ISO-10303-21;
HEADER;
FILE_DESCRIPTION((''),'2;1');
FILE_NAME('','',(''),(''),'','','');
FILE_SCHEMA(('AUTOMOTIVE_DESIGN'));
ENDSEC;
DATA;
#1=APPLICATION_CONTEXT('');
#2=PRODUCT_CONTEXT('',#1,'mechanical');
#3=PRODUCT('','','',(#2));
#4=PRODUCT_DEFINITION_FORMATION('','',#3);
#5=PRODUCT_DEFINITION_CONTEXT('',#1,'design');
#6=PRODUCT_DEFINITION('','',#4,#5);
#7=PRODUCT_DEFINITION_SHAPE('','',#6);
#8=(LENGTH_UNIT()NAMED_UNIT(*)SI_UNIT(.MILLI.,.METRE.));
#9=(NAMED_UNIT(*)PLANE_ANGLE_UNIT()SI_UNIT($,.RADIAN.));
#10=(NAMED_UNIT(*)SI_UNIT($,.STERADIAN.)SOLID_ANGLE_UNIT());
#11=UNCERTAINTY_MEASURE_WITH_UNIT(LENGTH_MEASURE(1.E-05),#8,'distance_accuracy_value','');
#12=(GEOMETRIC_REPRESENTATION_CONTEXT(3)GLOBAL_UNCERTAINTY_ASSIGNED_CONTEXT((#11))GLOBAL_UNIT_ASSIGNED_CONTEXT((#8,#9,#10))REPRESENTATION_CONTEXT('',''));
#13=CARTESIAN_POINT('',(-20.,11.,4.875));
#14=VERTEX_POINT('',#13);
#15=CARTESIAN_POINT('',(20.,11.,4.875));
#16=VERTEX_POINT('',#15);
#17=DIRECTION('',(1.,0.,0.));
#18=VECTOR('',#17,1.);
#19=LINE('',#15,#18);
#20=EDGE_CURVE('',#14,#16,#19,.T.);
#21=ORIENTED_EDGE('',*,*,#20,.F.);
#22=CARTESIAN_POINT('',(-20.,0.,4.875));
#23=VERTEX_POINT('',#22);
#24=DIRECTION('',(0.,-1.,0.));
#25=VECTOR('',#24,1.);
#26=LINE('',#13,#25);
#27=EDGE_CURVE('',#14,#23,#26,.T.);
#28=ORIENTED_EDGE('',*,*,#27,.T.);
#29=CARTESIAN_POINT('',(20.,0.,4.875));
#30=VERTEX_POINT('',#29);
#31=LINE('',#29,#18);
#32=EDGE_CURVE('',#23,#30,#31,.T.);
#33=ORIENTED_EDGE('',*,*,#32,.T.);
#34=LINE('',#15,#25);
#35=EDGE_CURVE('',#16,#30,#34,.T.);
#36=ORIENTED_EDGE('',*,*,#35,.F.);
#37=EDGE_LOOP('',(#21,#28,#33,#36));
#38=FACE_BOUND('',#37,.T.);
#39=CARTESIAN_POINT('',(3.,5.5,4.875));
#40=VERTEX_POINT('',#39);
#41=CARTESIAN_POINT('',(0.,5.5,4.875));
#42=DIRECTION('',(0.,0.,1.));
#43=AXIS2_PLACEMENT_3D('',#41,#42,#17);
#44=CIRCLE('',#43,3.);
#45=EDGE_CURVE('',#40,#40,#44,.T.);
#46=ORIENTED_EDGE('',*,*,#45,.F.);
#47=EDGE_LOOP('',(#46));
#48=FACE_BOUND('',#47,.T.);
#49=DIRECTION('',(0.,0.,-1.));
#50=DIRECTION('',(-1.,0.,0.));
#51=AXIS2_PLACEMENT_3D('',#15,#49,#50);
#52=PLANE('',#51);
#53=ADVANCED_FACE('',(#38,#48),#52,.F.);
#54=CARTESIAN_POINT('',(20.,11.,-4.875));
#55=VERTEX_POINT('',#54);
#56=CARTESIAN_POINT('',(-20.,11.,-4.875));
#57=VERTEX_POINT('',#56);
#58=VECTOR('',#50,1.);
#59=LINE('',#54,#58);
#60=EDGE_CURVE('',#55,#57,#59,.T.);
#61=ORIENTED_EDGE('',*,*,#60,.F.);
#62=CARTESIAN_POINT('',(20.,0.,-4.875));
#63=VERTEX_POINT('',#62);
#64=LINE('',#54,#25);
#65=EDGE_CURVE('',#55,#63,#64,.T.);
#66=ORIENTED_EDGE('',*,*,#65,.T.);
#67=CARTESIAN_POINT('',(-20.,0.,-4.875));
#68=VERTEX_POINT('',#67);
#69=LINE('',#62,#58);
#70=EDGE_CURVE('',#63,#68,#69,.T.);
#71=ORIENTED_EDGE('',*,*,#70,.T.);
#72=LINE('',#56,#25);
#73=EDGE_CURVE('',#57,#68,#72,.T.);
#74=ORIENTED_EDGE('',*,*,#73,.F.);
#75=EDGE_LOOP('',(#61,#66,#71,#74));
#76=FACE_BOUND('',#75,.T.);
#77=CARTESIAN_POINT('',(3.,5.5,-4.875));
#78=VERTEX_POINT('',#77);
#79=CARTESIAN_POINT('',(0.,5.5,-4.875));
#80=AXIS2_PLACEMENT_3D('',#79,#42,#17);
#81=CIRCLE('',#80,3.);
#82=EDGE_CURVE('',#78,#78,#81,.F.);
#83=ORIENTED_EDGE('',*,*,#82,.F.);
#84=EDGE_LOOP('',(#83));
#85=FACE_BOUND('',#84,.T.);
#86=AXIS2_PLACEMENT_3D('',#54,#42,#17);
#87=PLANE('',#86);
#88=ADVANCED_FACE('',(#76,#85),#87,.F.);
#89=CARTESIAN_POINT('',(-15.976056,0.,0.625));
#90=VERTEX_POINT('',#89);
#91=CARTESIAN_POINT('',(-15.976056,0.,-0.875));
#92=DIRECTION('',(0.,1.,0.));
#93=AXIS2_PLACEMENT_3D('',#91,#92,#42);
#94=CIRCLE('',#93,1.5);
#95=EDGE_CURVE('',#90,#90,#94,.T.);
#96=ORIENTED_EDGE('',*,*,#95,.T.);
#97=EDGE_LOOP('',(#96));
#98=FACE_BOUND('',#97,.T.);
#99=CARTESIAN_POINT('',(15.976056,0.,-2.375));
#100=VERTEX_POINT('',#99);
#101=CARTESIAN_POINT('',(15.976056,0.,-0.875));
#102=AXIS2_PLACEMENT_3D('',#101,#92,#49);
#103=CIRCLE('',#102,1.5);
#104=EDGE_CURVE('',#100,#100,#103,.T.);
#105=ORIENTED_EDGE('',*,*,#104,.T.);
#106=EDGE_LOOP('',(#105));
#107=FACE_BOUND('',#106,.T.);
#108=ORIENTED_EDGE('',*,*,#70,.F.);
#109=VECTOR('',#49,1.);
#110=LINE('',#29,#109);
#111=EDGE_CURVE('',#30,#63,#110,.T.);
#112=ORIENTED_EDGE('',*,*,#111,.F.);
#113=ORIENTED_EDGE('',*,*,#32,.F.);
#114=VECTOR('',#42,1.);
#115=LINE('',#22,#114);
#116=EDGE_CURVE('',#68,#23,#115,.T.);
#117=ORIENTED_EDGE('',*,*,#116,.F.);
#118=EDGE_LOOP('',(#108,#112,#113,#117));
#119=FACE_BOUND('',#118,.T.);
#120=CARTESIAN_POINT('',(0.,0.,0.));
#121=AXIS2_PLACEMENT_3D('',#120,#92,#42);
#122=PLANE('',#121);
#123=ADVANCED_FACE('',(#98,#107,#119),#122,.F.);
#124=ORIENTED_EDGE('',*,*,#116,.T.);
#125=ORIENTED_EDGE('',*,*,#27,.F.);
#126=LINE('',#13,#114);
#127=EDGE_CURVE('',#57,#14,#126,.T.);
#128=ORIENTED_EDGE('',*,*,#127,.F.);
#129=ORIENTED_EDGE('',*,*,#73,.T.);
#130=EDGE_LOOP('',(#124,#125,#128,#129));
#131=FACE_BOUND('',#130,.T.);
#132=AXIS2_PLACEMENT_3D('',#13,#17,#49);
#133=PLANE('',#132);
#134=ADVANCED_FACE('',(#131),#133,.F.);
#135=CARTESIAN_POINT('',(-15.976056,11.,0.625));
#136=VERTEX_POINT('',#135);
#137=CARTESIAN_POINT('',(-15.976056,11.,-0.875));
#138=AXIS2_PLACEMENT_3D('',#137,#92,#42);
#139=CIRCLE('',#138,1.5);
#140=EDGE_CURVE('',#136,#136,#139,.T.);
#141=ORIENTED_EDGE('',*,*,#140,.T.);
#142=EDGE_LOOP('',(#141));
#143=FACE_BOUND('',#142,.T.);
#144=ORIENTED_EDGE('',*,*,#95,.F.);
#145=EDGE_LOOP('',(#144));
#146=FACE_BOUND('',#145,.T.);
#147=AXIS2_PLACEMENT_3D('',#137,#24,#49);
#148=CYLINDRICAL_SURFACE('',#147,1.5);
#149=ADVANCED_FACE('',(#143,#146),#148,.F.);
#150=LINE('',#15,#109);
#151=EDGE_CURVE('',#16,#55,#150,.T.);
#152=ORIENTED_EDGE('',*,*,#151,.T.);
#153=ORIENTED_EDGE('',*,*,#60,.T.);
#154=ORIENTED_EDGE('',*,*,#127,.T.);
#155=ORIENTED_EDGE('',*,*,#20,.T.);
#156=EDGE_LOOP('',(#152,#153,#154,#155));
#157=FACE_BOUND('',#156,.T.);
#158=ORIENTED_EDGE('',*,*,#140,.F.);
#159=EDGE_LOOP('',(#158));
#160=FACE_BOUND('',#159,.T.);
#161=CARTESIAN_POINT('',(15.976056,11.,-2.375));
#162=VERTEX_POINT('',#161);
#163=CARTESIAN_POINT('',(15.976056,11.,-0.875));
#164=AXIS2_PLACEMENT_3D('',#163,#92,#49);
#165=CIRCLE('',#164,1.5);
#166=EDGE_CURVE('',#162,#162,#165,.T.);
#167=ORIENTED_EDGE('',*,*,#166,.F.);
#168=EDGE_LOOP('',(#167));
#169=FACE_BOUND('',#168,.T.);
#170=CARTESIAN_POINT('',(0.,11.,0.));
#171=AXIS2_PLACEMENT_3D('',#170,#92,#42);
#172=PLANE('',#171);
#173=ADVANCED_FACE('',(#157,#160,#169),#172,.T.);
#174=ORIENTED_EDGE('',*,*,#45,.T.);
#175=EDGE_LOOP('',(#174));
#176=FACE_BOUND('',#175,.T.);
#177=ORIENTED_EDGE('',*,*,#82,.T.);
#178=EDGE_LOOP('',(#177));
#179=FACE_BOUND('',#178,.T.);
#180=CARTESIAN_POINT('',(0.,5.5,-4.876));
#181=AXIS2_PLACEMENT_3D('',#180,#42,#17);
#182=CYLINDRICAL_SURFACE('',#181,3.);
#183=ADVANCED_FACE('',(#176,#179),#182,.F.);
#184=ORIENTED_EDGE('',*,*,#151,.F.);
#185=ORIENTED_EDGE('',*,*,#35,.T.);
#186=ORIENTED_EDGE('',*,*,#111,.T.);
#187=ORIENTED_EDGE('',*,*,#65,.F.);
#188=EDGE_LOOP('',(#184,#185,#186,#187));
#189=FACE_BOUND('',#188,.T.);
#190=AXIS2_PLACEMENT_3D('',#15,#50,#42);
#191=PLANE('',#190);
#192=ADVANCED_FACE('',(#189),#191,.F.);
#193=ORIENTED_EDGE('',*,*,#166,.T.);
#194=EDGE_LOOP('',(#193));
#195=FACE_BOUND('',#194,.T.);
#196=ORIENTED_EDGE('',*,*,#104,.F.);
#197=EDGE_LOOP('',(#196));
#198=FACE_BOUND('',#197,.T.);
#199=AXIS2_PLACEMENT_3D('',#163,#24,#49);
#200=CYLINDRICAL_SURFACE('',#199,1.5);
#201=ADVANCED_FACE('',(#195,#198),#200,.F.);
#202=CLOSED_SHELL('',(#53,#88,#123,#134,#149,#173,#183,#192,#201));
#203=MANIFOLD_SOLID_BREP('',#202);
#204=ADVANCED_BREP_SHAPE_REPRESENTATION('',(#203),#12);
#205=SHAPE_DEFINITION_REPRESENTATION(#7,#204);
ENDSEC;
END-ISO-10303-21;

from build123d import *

# Parameters (mm, degrees)
SKETCH1_W           = 40
SKETCH1_H           = 9.75
SKETCH1_R           = 1.5
BOSS_EXTRUDE1_DEPTH = 11
CUT_EXTRUDE1_REACH  = 26.821


with BuildPart() as part:
    # Sketch1 → Boss-Extrude1 (new body)
    with BuildSketch(Plane(origin=(0, 0, 0), x_dir=(1, 0, 0), z_dir=(0, 1, 0))):
        Rectangle(SKETCH1_W, SKETCH1_H)
        with Locations(Location((-15.976056303, 0.875, 0), (0, 0, 270))):
            Circle(SKETCH1_R, mode=Mode.SUBTRACT)
        with Locations(Location((15.976056303, 0.875, 0), (0, 0, 90))):
            Circle(SKETCH1_R, mode=Mode.SUBTRACT)
    extrude(amount=BOSS_EXTRUDE1_DEPTH)

    # Sketch2 → Cut-Extrude1 (cut, up to next)
    with BuildSketch(Plane.XY.offset(4.875), mode=Mode.PRIVATE) as cut_extrude1_sk1:
        with BuildLine():
            ThreePointArc((3, 5.5), (2.121320344, 7.621320344), (0, 8.5))
            Line((0, 8.5), (0, 2.5))
            ThreePointArc((0, 2.5), (2.121320344, 3.378679656), (3, 5.5))
        make_face()
    cut_extrude1_tool1 = extrude(cut_extrude1_sk1.sketch, amount=-CUT_EXTRUDE1_REACH, mode=Mode.PRIVATE) & part.part
    # Sketch2 → Cut-Extrude1 (cut, up to next)
    with BuildSketch(Plane.XY.offset(4.875), mode=Mode.PRIVATE) as cut_extrude1_sk2:
        with BuildLine():
            Line((0, 2.5), (0, 8.5))
            ThreePointArc((0, 8.5), (-3, 5.5), (0, 2.5))
        make_face()
    cut_extrude1_tool2 = extrude(cut_extrude1_sk2.sketch, amount=-CUT_EXTRUDE1_REACH, mode=Mode.PRIVATE) & part.part
    # Sketch2 → Cut-Extrude1 (cut, up to next)
    with BuildSketch(Plane.XY.offset(4.875), mode=Mode.PRIVATE) as cut_extrude1_sk3:
        with BuildLine():
            ThreePointArc((3, 5.5), (2.121320344, 7.621320344), (0, 8.5))
            Line((0, 8.5), (0, 2.5))
            ThreePointArc((0, 2.5), (2.121320344, 3.378679656), (3, 5.5))
        make_face()
    cut_extrude1_tool3 = extrude(cut_extrude1_sk3.sketch, amount=-CUT_EXTRUDE1_REACH, mode=Mode.PRIVATE) & part.part
    # Sketch2 → Cut-Extrude1 (cut, up to next)
    with BuildSketch(Plane.XY.offset(4.875), mode=Mode.PRIVATE) as cut_extrude1_sk4:
        with BuildLine():
            Line((0, 2.5), (0, 8.5))
            ThreePointArc((0, 8.5), (-3, 5.5), (0, 2.5))
        make_face()
    cut_extrude1_tool4 = extrude(cut_extrude1_sk4.sketch, amount=-CUT_EXTRUDE1_REACH, mode=Mode.PRIVATE) & part.part
    add(cut_extrude1_tool1.solids().sort_by_distance((1.27324, 5.5, 4.875))[0], mode=Mode.SUBTRACT)
    add(cut_extrude1_tool2.solids().sort_by_distance((-1.27324, 5.5, 4.875))[0], mode=Mode.SUBTRACT)
    add(cut_extrude1_tool3.solids().sort_by_distance((1.27324, 5.5, 4.875))[0], mode=Mode.SUBTRACT)
    add(cut_extrude1_tool4.solids().sort_by_distance((-1.27324, 5.5, 4.875))[0], mode=Mode.SUBTRACT)


solid = part.part
